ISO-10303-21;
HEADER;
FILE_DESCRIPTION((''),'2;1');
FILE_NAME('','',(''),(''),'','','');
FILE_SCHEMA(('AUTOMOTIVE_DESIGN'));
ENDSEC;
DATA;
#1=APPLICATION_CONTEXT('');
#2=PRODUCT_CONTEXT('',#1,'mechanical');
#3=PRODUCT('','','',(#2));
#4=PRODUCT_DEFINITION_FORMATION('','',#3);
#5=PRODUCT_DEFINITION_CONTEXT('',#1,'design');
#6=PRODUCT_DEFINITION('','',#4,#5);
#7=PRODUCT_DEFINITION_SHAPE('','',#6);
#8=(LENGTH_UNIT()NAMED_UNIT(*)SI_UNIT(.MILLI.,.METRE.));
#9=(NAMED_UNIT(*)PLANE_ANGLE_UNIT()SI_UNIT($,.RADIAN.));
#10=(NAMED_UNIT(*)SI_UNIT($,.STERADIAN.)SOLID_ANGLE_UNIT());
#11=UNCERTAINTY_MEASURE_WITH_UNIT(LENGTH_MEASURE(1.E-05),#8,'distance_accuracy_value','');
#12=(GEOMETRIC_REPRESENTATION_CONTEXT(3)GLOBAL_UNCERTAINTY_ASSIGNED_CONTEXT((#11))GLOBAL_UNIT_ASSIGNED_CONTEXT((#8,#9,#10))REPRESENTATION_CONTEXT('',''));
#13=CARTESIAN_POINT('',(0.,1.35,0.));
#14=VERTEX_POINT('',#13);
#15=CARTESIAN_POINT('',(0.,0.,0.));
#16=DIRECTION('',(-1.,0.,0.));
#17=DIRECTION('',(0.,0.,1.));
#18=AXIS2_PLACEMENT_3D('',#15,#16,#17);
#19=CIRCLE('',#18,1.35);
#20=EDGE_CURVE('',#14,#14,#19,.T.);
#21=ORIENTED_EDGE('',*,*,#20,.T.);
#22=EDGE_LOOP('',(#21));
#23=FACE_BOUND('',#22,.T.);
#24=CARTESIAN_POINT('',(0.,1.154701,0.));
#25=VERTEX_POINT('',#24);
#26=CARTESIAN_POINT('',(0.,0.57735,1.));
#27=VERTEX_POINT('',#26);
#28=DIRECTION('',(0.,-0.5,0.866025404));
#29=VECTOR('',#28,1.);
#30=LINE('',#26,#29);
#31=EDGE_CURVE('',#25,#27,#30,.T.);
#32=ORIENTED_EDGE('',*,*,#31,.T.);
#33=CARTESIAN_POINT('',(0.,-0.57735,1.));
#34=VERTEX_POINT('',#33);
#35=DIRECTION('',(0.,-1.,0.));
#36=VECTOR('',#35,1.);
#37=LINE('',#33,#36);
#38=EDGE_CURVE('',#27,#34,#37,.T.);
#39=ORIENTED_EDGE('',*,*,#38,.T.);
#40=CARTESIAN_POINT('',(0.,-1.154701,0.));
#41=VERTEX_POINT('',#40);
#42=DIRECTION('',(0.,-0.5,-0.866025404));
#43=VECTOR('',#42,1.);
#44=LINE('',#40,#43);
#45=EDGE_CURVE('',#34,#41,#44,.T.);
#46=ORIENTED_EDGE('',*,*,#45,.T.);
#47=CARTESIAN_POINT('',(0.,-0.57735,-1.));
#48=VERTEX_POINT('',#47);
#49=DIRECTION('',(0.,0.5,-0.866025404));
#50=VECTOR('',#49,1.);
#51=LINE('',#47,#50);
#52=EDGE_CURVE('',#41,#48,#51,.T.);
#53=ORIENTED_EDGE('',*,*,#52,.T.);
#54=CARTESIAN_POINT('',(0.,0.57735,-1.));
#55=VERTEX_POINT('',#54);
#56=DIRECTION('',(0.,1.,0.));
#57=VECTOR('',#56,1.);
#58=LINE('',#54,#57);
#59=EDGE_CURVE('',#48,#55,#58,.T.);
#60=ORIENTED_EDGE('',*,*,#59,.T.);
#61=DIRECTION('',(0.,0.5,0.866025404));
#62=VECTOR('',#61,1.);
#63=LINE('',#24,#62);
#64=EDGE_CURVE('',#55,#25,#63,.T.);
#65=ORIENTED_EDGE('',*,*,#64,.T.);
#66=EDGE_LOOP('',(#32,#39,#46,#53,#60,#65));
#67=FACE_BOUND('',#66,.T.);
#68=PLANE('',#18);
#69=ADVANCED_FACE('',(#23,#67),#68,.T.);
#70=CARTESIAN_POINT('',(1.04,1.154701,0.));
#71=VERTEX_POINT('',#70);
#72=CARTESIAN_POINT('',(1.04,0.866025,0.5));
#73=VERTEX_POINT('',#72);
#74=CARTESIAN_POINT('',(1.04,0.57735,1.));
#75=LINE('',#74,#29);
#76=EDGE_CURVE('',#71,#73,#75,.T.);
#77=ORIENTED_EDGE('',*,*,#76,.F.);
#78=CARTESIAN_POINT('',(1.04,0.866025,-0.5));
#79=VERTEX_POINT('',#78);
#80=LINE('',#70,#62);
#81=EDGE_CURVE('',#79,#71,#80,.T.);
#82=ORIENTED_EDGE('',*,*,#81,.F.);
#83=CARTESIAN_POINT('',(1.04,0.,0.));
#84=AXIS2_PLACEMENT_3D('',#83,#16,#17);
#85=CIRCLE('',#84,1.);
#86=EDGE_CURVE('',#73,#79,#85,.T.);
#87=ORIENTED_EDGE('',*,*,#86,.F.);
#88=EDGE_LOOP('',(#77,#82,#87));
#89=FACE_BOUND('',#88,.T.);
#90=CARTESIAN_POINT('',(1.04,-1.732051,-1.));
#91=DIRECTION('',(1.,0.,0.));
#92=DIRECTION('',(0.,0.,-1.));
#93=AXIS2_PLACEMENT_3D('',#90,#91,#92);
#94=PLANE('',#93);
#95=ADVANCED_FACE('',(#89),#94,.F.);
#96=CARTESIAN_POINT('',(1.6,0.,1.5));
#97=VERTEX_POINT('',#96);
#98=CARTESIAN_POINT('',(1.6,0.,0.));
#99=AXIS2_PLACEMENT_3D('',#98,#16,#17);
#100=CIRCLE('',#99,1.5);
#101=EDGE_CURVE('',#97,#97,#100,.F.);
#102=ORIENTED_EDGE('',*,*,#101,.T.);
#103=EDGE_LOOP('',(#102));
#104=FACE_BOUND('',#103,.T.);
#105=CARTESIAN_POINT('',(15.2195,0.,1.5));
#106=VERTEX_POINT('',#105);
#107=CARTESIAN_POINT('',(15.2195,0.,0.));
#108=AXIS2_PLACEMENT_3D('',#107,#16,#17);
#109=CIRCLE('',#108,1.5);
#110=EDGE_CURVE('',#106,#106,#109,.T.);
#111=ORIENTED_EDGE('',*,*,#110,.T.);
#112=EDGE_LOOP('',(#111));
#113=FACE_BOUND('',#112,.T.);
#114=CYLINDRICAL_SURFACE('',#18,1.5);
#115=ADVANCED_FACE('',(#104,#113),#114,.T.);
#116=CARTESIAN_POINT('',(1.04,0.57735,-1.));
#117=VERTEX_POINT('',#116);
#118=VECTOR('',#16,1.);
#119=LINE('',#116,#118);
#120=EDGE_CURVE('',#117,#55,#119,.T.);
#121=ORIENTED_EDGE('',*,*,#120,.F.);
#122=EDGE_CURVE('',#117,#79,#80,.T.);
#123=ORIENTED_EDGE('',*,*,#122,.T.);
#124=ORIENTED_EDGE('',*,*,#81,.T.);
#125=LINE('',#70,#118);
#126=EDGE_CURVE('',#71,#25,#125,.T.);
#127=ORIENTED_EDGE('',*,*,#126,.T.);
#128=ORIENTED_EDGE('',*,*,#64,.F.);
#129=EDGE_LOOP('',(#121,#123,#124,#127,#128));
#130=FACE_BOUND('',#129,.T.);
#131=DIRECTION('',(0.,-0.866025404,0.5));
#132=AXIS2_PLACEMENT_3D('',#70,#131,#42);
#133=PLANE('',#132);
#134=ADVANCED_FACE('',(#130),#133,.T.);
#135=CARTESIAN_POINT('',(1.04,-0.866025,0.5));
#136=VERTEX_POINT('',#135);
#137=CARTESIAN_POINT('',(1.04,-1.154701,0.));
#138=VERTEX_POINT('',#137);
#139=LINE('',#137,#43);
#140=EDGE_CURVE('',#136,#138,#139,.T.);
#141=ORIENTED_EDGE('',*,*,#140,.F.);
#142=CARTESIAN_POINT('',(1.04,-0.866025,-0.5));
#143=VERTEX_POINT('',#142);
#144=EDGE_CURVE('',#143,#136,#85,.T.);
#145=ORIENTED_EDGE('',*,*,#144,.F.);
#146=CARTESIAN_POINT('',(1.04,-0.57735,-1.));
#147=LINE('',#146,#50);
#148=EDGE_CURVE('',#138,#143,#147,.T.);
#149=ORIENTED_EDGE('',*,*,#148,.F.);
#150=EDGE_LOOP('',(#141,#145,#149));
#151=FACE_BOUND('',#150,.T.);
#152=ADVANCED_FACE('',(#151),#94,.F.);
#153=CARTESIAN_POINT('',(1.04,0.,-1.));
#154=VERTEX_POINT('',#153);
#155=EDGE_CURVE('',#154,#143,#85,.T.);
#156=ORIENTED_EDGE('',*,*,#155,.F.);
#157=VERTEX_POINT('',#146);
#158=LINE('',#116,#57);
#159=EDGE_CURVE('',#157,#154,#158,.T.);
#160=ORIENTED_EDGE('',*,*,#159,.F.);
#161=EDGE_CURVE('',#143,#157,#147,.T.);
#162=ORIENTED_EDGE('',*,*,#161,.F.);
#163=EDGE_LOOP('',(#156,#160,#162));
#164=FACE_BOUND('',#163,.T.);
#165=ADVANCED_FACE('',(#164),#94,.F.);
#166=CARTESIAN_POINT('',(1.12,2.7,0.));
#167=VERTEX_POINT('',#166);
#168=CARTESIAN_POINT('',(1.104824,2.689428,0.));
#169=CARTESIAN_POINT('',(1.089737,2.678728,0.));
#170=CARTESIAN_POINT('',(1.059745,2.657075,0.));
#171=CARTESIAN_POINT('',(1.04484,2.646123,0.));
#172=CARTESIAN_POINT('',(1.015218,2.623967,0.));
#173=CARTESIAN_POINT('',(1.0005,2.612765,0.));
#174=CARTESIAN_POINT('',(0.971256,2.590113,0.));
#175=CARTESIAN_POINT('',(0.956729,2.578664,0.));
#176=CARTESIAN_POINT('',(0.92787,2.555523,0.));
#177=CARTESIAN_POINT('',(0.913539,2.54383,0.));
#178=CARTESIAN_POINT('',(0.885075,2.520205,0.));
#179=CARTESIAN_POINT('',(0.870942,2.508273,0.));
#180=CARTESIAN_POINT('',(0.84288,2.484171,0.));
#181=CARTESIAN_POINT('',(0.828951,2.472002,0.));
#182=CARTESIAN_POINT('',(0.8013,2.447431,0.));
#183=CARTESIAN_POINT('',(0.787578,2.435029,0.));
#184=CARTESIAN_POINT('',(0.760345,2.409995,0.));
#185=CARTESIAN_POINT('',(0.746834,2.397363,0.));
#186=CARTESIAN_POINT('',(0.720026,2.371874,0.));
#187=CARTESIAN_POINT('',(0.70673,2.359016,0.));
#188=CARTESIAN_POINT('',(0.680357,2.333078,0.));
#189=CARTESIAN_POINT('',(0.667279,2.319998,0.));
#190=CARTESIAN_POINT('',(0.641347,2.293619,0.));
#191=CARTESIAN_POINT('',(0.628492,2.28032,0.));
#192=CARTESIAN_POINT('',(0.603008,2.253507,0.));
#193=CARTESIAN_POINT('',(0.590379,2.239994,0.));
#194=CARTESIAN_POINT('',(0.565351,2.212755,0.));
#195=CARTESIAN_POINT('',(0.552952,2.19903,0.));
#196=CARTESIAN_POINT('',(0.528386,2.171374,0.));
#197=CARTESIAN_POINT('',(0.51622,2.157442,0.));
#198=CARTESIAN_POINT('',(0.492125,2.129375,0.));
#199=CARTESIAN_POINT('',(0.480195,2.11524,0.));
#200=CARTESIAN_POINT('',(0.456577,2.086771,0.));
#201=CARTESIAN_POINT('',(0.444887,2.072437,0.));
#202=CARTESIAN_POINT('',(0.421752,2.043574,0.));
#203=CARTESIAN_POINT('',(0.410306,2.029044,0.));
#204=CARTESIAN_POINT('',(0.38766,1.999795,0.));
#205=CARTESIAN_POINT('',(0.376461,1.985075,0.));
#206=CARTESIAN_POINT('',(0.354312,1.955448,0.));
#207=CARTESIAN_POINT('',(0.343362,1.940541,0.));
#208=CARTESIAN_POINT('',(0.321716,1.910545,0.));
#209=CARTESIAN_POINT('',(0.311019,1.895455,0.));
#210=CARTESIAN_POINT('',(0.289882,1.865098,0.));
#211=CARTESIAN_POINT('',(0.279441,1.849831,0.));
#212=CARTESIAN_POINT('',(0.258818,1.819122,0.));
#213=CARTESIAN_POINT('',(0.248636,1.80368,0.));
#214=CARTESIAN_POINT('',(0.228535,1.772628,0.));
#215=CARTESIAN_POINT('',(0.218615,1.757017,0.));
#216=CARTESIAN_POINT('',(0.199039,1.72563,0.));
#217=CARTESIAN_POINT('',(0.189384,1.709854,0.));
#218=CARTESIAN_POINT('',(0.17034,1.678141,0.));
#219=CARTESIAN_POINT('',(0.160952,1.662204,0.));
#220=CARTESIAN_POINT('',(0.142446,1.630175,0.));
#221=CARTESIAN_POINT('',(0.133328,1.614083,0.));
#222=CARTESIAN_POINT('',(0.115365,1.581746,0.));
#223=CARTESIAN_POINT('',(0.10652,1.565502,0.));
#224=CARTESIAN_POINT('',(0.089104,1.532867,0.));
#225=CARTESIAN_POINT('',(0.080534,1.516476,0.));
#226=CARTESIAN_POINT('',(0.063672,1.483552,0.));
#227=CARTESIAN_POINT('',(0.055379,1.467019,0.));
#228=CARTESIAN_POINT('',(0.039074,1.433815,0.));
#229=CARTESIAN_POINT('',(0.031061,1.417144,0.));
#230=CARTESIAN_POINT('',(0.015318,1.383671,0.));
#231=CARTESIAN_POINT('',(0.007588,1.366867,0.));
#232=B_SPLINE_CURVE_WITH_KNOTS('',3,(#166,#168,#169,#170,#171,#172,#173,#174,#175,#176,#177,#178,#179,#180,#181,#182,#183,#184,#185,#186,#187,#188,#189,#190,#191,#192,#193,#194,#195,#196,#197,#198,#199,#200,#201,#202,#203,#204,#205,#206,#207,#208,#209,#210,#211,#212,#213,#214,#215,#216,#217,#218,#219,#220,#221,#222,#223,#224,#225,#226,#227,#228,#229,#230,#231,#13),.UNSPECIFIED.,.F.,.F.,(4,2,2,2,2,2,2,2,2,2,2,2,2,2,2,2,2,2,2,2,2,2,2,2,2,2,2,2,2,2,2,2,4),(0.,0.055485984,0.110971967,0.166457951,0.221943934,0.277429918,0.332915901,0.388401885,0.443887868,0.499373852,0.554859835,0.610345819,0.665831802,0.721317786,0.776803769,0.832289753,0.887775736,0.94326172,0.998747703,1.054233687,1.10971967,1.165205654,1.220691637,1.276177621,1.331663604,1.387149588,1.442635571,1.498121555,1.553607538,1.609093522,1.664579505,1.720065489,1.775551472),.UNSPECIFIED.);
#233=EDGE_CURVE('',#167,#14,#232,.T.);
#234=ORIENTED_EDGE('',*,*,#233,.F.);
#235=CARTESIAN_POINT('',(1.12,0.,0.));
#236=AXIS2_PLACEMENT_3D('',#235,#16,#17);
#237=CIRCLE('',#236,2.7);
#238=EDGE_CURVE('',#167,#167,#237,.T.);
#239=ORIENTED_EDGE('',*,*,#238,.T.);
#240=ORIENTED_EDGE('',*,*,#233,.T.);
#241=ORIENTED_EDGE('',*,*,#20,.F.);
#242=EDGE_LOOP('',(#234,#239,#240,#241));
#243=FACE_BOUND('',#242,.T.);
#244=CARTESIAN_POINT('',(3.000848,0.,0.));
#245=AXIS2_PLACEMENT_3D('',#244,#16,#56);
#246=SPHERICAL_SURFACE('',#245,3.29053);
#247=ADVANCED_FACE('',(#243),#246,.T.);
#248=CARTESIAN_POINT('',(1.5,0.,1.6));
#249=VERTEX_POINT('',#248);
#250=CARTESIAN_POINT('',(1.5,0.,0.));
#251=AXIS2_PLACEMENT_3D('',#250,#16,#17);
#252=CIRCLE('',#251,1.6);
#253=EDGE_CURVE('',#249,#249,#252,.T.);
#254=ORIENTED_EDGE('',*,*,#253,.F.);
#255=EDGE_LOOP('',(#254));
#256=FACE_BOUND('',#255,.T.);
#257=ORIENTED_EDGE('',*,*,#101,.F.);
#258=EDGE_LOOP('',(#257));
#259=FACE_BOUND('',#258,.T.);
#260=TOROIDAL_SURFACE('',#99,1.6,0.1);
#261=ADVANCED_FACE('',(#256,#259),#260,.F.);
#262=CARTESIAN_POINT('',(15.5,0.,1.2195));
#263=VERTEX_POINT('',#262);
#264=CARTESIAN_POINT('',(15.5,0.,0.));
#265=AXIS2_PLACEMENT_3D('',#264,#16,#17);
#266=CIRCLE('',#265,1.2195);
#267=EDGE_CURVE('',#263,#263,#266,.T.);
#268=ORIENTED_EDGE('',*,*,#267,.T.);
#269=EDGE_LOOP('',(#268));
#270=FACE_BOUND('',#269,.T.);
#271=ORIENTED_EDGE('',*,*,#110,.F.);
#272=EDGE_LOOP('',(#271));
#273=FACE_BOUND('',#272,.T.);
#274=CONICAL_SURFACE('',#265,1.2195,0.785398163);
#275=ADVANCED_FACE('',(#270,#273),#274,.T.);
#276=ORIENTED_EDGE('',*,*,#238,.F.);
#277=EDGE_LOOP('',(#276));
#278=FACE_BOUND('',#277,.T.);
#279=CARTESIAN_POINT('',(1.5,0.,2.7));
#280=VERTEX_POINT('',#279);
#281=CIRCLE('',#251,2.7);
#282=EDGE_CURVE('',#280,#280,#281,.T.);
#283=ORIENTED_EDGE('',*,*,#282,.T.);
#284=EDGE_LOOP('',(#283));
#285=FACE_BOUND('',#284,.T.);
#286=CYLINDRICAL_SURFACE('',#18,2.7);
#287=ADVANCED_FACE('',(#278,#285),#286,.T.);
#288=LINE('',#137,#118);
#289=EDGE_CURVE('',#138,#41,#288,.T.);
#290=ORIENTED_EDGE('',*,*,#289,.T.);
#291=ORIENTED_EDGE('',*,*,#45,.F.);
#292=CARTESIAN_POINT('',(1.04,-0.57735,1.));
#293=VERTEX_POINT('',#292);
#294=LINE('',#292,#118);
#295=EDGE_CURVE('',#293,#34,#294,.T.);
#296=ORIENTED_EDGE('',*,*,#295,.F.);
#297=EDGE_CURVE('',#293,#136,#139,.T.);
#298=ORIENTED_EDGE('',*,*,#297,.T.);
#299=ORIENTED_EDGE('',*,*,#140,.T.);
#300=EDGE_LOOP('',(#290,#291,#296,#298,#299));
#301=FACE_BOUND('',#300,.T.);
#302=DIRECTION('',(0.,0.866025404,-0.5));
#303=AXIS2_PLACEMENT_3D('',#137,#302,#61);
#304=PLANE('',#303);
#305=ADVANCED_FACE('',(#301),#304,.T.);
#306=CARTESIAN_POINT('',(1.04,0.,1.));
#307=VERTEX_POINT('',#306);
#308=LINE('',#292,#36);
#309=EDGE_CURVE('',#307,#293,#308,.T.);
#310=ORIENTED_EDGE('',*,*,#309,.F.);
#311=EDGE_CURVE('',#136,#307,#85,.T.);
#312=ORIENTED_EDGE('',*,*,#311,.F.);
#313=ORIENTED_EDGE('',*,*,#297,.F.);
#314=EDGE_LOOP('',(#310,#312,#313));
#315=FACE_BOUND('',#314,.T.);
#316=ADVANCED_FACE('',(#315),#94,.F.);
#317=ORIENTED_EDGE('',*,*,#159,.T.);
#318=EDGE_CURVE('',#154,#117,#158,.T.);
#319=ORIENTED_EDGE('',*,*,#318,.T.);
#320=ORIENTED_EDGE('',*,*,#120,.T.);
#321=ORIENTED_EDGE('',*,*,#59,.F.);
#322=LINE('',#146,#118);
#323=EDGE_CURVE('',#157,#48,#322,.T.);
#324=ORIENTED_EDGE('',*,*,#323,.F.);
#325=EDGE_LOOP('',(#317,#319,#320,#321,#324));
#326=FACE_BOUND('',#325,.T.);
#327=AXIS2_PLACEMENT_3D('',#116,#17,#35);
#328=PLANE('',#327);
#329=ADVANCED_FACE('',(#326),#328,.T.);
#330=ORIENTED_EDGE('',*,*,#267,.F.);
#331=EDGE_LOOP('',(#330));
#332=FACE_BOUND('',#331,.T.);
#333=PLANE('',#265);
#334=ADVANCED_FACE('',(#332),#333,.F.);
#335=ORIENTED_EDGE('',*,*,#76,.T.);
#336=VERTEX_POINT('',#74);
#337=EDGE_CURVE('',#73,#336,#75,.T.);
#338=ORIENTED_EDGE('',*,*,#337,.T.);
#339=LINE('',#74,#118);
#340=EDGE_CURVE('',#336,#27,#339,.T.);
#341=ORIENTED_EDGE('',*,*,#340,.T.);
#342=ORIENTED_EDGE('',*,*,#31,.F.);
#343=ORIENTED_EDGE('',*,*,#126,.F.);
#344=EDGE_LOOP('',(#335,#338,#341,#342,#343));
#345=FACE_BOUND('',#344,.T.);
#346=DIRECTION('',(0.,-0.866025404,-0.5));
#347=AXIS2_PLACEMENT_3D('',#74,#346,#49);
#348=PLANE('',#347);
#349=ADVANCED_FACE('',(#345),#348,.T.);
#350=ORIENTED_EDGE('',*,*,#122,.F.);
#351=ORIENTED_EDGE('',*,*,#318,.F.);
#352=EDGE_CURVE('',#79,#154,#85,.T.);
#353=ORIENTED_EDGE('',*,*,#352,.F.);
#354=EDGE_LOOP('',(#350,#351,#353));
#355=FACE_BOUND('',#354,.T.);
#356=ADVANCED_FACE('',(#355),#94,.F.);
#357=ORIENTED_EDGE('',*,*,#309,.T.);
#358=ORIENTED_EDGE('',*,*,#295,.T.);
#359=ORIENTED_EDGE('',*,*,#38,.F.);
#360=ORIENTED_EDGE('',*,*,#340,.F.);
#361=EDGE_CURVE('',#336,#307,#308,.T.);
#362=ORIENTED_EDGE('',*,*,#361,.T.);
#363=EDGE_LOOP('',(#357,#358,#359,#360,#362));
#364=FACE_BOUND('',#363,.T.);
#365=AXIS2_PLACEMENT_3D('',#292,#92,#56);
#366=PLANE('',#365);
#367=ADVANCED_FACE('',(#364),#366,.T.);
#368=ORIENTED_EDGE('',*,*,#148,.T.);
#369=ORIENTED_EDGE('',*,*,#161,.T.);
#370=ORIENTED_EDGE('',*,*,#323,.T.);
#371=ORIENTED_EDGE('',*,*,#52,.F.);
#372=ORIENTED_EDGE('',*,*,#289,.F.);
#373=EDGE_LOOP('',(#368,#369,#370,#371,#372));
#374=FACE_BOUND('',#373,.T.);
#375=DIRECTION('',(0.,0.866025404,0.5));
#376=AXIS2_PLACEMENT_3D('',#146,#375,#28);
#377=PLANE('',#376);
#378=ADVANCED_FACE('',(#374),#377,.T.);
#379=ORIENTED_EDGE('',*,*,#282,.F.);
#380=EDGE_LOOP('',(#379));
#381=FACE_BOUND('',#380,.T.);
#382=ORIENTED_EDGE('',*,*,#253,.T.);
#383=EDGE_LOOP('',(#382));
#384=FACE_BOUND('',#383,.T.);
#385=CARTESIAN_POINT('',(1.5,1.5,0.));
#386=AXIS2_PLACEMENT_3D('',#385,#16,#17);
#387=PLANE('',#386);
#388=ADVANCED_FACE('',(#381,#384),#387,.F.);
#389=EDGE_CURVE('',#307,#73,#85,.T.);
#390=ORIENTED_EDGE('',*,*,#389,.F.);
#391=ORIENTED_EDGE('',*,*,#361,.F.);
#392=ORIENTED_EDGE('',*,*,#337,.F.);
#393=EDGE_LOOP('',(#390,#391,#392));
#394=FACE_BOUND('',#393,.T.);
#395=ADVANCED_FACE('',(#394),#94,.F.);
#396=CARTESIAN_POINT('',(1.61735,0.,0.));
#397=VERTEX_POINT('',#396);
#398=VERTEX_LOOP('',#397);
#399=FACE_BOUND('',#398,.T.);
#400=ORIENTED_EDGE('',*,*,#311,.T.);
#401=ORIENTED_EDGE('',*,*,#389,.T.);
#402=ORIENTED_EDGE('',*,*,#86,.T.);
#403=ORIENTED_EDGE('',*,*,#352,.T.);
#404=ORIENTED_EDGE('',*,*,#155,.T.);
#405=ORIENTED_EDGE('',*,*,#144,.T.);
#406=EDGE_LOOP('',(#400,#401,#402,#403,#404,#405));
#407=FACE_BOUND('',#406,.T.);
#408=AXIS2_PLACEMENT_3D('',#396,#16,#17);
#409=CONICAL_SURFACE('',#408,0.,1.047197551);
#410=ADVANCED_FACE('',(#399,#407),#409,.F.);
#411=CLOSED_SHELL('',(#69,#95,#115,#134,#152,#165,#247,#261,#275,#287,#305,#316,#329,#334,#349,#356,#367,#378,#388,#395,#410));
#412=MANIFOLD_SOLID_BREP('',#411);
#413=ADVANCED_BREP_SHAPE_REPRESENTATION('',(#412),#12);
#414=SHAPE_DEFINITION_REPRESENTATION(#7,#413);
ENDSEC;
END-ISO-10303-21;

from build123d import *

# Parameters (mm, degrees)
FILLET1_R   = 0.1
HEX_2_DEPTH = 1.04


with BuildPart() as part:
    # BodySke → BaseBody (revolve)
    with BuildSketch(Plane.XY, mode=Mode.PRIVATE) as basebody_sk:
        with BuildLine():
            Line((15.5, 0), (15.5, 1.2195))
            Line((15.5, 1.2195), (15.2195, 1.5))
            Line((15.2195, 1.5), (1.5, 1.5))
            Line((1.5, 1.5), (1.5, 2.7))
            Line((1.5, 2.7), (1.12, 2.7))
            ThreePointArc((1.12, 2.7), (0.468385973, 2.101005712), (0, 1.35))
            Line((0, 1.35), (0, 0))
            Line((0, 0), (15.5, 0))
        make_face()
    revolve(basebody_sk.sketch.rotate(Axis((0, 0, 0), (1, 0, 0)), 90), axis=Axis((0, 0, 0), (1, 0, 0)))

    # Fillet1
    fillet1_edges = [part.edges().sort_by_distance(p)[0] for p in [
        (1.5, 0, -1.5),
    ]]
    fillet(fillet1_edges, radius=FILLET1_R)

    # Sketch2 → PreBroach (revolve, cut)
    with BuildSketch(Plane.XY, mode=Mode.PRIVATE) as prebroach_sk:
        Polygon((0, 1), (1.04, 1), (1.617350269, 0), (0, 0), align=None)
    revolve(prebroach_sk.sketch.rotate(Axis((0, 0, 0), (1, 0, 0)), 90), axis=Axis((0, 0, 0), (1, 0, 0)), mode=Mode.SUBTRACT)

    # Sketch3 → Hex 2 (cut)
    with BuildSketch(Plane(origin=(0, 0, 0), x_dir=(0, 0, -1), z_dir=(1, 0, 0))):
        Polygon((-1, -0.577350269), (-1, 0.577350269), (0, 1.154700538), (1, 0.577350269), (1, -0.577350269), (0, -1.154700538), align=None)
    extrude(amount=HEX_2_DEPTH, mode=Mode.SUBTRACT)


solid = part.part
